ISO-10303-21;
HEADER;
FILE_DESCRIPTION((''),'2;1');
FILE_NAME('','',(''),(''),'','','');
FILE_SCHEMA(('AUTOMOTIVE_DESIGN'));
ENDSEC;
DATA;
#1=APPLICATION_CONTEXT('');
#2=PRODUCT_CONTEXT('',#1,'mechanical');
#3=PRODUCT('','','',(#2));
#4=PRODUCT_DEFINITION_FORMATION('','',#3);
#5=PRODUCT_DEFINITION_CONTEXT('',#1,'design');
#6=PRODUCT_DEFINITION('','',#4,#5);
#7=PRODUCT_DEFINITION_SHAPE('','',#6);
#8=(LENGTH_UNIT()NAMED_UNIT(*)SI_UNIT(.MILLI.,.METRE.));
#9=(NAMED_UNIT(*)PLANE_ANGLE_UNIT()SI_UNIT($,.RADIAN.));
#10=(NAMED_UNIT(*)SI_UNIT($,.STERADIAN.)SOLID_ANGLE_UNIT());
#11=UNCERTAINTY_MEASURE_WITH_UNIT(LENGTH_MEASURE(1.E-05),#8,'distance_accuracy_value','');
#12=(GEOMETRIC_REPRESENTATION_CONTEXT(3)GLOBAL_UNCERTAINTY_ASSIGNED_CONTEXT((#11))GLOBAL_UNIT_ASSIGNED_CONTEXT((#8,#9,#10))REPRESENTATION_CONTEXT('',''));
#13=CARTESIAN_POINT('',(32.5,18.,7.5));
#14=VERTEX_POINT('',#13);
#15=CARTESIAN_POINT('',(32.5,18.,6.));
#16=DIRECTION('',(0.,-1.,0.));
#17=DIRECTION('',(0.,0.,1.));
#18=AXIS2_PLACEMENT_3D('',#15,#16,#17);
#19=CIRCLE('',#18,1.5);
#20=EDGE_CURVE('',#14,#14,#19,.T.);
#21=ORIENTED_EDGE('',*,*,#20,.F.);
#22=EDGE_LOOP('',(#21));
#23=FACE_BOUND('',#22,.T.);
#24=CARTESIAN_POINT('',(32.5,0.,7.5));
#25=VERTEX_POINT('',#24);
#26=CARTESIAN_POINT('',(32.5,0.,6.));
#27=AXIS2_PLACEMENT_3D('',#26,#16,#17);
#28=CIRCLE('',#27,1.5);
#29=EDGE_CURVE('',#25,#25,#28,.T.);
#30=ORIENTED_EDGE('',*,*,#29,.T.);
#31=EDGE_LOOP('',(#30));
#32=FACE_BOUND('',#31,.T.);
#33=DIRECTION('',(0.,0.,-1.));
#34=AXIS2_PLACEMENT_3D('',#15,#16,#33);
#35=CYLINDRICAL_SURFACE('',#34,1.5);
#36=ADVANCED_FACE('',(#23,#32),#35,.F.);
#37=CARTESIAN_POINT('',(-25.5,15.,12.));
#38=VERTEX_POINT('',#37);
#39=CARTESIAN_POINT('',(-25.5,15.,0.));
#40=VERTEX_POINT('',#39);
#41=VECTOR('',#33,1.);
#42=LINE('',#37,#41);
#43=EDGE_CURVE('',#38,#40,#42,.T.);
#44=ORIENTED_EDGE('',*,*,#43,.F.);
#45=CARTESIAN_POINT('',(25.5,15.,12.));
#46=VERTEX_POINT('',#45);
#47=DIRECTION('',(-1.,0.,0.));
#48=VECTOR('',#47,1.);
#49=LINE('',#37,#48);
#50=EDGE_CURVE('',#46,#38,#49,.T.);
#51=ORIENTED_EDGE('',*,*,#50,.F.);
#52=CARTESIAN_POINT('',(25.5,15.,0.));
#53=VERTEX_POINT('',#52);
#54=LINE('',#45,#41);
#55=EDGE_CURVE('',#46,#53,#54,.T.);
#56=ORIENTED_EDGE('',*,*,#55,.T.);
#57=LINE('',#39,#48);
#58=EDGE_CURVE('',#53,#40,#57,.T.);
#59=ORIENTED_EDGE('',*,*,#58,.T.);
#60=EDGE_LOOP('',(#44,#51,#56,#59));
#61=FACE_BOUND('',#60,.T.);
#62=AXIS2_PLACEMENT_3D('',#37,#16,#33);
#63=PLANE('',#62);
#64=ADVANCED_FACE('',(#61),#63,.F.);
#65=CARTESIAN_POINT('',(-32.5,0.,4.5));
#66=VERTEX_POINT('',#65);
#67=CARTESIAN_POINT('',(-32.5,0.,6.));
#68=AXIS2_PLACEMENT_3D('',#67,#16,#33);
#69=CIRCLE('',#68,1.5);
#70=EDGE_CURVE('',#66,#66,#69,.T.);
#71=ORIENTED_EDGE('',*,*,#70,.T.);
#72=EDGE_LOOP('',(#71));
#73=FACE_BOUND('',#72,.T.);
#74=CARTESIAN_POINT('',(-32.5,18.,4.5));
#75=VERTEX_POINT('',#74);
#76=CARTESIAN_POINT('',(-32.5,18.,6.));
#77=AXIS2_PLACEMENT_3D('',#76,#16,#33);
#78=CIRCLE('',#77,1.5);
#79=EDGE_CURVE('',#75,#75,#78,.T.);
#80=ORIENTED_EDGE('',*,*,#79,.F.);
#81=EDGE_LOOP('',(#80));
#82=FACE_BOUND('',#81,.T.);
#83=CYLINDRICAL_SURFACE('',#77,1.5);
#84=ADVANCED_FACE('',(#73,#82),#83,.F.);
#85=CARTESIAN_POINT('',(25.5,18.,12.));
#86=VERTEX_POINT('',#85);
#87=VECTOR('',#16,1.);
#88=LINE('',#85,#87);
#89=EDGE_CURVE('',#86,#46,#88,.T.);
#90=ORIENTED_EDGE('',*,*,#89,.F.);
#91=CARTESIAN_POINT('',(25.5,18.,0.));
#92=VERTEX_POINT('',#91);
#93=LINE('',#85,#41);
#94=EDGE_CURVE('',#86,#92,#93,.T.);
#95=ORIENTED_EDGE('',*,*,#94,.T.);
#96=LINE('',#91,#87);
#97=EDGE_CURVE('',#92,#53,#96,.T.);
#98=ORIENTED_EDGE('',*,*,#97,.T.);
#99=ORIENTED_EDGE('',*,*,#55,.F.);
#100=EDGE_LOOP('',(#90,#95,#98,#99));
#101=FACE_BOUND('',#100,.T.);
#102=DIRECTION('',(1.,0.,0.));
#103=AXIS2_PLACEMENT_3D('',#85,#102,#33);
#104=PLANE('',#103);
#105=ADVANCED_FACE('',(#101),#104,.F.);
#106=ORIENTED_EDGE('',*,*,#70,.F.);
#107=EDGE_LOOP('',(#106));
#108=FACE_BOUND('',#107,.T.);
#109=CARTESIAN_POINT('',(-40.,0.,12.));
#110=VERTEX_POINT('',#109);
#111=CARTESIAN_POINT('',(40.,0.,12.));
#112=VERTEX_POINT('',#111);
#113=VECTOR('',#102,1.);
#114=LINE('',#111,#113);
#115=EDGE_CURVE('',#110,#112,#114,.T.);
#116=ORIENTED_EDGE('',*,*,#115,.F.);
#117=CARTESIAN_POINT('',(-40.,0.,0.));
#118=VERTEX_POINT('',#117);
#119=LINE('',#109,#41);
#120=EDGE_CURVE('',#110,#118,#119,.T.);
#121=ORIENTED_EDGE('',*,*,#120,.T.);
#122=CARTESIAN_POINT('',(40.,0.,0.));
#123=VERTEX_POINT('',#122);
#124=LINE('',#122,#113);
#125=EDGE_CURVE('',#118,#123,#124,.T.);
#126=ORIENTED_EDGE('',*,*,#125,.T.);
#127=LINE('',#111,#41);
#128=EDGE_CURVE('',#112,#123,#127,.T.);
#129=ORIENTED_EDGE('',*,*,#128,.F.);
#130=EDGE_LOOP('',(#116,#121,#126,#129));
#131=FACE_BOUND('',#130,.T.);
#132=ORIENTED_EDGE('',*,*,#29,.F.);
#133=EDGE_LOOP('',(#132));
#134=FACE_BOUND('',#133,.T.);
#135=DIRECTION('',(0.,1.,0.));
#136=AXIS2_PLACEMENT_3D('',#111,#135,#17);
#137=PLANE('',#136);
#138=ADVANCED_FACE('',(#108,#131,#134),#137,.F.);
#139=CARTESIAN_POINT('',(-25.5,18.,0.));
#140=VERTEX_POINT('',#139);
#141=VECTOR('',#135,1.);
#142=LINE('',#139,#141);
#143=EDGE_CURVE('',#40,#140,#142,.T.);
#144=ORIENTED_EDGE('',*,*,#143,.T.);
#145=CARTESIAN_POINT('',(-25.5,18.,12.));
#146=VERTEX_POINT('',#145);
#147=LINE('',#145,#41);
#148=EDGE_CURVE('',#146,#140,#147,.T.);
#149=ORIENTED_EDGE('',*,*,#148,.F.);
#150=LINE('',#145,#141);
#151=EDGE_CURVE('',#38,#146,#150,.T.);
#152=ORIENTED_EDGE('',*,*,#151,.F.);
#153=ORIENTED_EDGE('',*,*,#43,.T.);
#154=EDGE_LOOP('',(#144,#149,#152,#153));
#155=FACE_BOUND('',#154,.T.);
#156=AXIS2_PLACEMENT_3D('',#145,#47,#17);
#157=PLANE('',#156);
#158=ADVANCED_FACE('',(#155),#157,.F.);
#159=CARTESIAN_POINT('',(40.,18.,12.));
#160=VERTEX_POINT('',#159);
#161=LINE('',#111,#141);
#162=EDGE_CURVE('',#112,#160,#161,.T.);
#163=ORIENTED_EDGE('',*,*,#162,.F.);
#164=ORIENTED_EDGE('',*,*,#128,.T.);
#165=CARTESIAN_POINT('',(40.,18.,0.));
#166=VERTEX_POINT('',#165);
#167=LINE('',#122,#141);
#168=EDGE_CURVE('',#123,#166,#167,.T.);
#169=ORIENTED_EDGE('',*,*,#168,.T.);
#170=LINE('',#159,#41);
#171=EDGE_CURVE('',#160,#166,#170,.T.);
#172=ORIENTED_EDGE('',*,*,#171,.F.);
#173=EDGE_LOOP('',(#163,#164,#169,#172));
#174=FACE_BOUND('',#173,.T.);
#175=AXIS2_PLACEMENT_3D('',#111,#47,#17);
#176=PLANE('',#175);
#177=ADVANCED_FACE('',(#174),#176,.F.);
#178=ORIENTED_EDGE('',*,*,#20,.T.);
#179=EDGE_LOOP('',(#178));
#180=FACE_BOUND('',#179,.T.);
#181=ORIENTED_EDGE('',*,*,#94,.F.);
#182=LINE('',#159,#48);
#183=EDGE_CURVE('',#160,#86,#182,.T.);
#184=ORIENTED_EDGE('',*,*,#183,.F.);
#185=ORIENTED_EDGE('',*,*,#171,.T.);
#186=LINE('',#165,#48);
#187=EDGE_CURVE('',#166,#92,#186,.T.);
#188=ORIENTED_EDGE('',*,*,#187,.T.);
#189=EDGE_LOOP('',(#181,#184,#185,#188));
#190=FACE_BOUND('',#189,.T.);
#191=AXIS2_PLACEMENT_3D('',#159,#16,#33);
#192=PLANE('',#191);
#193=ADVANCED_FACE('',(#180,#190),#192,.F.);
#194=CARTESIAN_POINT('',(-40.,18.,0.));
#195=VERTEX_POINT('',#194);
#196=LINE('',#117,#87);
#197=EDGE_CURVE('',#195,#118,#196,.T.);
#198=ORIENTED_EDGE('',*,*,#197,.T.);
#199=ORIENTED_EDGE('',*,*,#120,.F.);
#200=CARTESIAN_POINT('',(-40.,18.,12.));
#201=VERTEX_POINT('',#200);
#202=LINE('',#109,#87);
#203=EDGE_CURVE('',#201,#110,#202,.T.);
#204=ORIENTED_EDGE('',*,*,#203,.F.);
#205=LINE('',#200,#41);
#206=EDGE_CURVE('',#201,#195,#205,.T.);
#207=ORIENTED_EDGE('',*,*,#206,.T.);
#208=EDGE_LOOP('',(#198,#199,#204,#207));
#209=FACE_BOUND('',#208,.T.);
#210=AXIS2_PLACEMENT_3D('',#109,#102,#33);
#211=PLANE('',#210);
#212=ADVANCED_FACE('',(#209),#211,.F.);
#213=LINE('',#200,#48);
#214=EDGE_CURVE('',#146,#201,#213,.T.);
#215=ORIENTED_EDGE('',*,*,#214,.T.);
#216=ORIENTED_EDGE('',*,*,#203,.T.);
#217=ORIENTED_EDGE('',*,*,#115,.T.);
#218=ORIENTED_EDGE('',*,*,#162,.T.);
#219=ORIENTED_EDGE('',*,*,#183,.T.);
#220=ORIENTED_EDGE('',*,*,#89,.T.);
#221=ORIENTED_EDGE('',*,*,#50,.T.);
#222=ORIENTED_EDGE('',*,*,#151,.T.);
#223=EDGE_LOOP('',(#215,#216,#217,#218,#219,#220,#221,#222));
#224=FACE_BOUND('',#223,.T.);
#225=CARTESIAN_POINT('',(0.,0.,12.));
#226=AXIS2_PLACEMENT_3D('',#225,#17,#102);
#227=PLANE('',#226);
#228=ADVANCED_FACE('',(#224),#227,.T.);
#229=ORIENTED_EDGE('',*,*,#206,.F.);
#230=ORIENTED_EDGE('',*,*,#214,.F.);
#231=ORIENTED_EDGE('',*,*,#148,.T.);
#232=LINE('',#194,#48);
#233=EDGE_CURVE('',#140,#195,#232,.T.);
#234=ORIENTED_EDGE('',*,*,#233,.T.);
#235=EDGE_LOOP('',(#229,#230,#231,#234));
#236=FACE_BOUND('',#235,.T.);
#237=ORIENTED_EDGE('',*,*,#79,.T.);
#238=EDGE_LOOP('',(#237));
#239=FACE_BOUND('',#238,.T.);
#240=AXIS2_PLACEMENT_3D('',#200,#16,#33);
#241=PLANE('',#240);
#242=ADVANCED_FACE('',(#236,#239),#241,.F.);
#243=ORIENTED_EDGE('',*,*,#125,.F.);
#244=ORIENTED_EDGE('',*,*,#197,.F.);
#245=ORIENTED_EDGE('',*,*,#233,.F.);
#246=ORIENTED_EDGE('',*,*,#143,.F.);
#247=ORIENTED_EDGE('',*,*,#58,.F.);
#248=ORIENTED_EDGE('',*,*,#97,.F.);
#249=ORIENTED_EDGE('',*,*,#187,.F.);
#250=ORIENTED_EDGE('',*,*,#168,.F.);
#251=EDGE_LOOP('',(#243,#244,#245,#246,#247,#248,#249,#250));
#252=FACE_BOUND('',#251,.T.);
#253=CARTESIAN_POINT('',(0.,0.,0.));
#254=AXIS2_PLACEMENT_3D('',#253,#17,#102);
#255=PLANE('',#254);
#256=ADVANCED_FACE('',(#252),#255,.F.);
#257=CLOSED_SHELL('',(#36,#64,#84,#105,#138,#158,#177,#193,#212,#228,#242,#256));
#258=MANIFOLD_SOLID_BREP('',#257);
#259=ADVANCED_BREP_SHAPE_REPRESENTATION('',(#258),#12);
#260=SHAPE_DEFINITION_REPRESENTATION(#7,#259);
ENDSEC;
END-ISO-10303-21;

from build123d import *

# Parameters (mm, degrees)
EXTRUDE_1_DEPTH     = 12
SKETCH_2_R          = 1.5
CUT_EXTRUDE_1_DEPTH = 46.475268004


with BuildPart() as part:
    # 草图1 → 凸台-拉伸1 (new body)
    with BuildSketch(Plane.XY):
        Polygon((40, 0), (-40, 0), (-40, 18), (-25.5, 18), (-25.5, 15), (25.5, 15), (25.5, 18), (40, 18), align=None)
    extrude(amount=EXTRUDE_1_DEPTH)

    # 草图2 → 切除-拉伸1 (cut, through all)
    with BuildSketch(Plane.XZ):
        with Locations(Location((-32.5, 6, 0), (0, 0, 270))):
            Circle(SKETCH_2_R)
        with Locations(Location((32.5, 6, 0), (0, 0, 90))):
            Circle(SKETCH_2_R)
    extrude(amount=-CUT_EXTRUDE_1_DEPTH, mode=Mode.SUBTRACT)


solid = part.part
